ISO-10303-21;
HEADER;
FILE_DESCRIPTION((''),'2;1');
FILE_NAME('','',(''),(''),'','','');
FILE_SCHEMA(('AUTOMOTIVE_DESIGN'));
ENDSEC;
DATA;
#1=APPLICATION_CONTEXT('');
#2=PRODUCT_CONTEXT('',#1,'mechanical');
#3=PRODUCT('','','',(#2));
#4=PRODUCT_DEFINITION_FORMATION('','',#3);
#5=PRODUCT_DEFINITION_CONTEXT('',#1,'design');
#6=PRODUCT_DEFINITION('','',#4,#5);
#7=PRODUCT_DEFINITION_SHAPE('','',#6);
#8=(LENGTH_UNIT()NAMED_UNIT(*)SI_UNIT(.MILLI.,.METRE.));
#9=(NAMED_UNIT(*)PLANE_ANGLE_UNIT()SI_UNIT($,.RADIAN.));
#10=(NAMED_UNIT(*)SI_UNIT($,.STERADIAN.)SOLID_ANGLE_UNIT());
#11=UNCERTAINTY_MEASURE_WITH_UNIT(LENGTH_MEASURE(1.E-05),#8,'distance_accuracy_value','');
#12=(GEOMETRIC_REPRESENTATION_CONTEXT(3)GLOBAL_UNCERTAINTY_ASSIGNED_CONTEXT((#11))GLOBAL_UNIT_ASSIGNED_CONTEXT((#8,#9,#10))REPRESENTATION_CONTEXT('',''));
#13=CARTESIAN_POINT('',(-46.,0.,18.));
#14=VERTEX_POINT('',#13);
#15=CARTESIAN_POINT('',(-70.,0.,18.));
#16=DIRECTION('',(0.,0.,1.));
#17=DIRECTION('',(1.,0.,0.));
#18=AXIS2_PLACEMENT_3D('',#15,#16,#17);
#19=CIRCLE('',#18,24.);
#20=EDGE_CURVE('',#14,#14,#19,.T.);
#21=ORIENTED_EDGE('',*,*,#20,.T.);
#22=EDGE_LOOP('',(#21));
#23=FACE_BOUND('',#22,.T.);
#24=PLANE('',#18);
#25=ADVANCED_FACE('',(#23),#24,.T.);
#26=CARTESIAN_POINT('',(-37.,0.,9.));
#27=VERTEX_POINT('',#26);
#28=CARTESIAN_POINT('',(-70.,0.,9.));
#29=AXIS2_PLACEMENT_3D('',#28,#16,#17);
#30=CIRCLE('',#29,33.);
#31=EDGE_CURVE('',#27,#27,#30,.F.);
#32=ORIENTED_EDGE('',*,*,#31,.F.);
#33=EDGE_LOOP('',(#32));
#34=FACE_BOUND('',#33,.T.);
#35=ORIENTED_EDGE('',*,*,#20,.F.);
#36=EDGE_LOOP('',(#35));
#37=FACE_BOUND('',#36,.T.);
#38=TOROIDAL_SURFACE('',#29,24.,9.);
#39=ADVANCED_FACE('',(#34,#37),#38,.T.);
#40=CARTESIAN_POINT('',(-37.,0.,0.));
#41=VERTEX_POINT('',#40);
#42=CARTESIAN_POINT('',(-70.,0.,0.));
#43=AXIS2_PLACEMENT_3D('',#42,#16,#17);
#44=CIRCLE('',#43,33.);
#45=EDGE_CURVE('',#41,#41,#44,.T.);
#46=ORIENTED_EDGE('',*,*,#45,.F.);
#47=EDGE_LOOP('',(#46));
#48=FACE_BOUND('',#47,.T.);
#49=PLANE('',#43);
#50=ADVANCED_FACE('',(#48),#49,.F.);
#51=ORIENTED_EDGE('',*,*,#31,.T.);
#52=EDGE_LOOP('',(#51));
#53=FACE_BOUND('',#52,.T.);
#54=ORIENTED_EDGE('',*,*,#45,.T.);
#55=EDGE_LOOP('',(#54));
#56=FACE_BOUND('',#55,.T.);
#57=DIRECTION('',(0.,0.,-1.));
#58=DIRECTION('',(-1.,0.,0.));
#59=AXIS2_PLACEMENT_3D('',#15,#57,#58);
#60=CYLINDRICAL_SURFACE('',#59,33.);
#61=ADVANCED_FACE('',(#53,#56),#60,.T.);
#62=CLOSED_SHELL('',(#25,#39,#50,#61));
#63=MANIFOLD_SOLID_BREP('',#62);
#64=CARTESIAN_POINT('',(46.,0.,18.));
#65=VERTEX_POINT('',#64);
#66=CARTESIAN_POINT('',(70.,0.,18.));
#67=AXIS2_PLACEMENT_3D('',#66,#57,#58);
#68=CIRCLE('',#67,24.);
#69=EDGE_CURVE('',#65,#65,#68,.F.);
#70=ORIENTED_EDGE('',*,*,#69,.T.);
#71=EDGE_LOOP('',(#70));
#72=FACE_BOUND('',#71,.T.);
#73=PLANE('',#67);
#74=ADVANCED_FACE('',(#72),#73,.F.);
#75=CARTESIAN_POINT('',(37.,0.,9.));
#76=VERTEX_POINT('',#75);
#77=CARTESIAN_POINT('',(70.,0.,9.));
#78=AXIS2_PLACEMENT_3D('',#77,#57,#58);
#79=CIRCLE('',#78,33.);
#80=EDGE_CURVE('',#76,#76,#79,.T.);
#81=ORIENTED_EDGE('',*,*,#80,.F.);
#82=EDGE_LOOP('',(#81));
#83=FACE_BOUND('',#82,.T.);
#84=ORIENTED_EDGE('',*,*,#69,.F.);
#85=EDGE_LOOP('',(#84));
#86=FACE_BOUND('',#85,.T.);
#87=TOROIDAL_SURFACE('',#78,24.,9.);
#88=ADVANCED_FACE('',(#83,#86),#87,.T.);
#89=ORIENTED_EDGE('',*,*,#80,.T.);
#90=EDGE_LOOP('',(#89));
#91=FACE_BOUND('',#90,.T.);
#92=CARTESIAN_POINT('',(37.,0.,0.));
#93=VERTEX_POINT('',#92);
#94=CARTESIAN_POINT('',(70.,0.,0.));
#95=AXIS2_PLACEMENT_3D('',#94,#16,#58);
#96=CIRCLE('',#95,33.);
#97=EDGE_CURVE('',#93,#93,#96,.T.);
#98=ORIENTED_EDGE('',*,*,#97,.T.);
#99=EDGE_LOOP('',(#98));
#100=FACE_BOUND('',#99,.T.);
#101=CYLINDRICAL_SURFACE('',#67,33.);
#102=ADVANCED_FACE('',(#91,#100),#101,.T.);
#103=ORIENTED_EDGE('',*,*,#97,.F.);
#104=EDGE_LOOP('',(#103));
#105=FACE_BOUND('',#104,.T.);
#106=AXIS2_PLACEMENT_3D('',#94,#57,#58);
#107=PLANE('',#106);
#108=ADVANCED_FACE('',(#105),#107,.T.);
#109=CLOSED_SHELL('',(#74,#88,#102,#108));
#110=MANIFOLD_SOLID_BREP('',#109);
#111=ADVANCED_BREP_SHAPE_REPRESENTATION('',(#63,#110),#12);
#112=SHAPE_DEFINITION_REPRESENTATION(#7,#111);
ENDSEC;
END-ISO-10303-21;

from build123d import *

# Parameters (mm, degrees)
SKETCH1_R             = 33
BOSS_EXTRUDE1_DEPTH   = 18
BOSS_EXTRUDE1_2_DEPTH = 18
FILLET1_R             = 9
FILLET2_R             = 9


with BuildPart() as part:
    # Sketch1 → Boss-Extrude1 (new body)
    with BuildSketch(Plane.XY):
        with Locations((-70, 0)):
            Circle(SKETCH1_R)
    extrude(amount=BOSS_EXTRUDE1_DEPTH)

    # Fillet1
    fillet1_edges = [part.edges().sort_by_distance(p)[0] for p in [
        (-103, 0, 18),
    ]]
    fillet(fillet1_edges, radius=FILLET1_R)


with BuildPart() as body_2:
    # Sketch1 → Boss-Extrude1 2 (new body)
    with BuildSketch(Plane.XY):
        with Locations(Location((70, 0, 0), (0, 0, 180))):
            Circle(SKETCH1_R)
    extrude(amount=BOSS_EXTRUDE1_2_DEPTH)

    # Fillet2
    fillet2_edges = [body_2.edges().sort_by_distance(p)[0] for p in [
        (103, 0, 18),
    ]]
    fillet(fillet2_edges, radius=FILLET2_R)


solid = Compound([part.part, body_2.part])
